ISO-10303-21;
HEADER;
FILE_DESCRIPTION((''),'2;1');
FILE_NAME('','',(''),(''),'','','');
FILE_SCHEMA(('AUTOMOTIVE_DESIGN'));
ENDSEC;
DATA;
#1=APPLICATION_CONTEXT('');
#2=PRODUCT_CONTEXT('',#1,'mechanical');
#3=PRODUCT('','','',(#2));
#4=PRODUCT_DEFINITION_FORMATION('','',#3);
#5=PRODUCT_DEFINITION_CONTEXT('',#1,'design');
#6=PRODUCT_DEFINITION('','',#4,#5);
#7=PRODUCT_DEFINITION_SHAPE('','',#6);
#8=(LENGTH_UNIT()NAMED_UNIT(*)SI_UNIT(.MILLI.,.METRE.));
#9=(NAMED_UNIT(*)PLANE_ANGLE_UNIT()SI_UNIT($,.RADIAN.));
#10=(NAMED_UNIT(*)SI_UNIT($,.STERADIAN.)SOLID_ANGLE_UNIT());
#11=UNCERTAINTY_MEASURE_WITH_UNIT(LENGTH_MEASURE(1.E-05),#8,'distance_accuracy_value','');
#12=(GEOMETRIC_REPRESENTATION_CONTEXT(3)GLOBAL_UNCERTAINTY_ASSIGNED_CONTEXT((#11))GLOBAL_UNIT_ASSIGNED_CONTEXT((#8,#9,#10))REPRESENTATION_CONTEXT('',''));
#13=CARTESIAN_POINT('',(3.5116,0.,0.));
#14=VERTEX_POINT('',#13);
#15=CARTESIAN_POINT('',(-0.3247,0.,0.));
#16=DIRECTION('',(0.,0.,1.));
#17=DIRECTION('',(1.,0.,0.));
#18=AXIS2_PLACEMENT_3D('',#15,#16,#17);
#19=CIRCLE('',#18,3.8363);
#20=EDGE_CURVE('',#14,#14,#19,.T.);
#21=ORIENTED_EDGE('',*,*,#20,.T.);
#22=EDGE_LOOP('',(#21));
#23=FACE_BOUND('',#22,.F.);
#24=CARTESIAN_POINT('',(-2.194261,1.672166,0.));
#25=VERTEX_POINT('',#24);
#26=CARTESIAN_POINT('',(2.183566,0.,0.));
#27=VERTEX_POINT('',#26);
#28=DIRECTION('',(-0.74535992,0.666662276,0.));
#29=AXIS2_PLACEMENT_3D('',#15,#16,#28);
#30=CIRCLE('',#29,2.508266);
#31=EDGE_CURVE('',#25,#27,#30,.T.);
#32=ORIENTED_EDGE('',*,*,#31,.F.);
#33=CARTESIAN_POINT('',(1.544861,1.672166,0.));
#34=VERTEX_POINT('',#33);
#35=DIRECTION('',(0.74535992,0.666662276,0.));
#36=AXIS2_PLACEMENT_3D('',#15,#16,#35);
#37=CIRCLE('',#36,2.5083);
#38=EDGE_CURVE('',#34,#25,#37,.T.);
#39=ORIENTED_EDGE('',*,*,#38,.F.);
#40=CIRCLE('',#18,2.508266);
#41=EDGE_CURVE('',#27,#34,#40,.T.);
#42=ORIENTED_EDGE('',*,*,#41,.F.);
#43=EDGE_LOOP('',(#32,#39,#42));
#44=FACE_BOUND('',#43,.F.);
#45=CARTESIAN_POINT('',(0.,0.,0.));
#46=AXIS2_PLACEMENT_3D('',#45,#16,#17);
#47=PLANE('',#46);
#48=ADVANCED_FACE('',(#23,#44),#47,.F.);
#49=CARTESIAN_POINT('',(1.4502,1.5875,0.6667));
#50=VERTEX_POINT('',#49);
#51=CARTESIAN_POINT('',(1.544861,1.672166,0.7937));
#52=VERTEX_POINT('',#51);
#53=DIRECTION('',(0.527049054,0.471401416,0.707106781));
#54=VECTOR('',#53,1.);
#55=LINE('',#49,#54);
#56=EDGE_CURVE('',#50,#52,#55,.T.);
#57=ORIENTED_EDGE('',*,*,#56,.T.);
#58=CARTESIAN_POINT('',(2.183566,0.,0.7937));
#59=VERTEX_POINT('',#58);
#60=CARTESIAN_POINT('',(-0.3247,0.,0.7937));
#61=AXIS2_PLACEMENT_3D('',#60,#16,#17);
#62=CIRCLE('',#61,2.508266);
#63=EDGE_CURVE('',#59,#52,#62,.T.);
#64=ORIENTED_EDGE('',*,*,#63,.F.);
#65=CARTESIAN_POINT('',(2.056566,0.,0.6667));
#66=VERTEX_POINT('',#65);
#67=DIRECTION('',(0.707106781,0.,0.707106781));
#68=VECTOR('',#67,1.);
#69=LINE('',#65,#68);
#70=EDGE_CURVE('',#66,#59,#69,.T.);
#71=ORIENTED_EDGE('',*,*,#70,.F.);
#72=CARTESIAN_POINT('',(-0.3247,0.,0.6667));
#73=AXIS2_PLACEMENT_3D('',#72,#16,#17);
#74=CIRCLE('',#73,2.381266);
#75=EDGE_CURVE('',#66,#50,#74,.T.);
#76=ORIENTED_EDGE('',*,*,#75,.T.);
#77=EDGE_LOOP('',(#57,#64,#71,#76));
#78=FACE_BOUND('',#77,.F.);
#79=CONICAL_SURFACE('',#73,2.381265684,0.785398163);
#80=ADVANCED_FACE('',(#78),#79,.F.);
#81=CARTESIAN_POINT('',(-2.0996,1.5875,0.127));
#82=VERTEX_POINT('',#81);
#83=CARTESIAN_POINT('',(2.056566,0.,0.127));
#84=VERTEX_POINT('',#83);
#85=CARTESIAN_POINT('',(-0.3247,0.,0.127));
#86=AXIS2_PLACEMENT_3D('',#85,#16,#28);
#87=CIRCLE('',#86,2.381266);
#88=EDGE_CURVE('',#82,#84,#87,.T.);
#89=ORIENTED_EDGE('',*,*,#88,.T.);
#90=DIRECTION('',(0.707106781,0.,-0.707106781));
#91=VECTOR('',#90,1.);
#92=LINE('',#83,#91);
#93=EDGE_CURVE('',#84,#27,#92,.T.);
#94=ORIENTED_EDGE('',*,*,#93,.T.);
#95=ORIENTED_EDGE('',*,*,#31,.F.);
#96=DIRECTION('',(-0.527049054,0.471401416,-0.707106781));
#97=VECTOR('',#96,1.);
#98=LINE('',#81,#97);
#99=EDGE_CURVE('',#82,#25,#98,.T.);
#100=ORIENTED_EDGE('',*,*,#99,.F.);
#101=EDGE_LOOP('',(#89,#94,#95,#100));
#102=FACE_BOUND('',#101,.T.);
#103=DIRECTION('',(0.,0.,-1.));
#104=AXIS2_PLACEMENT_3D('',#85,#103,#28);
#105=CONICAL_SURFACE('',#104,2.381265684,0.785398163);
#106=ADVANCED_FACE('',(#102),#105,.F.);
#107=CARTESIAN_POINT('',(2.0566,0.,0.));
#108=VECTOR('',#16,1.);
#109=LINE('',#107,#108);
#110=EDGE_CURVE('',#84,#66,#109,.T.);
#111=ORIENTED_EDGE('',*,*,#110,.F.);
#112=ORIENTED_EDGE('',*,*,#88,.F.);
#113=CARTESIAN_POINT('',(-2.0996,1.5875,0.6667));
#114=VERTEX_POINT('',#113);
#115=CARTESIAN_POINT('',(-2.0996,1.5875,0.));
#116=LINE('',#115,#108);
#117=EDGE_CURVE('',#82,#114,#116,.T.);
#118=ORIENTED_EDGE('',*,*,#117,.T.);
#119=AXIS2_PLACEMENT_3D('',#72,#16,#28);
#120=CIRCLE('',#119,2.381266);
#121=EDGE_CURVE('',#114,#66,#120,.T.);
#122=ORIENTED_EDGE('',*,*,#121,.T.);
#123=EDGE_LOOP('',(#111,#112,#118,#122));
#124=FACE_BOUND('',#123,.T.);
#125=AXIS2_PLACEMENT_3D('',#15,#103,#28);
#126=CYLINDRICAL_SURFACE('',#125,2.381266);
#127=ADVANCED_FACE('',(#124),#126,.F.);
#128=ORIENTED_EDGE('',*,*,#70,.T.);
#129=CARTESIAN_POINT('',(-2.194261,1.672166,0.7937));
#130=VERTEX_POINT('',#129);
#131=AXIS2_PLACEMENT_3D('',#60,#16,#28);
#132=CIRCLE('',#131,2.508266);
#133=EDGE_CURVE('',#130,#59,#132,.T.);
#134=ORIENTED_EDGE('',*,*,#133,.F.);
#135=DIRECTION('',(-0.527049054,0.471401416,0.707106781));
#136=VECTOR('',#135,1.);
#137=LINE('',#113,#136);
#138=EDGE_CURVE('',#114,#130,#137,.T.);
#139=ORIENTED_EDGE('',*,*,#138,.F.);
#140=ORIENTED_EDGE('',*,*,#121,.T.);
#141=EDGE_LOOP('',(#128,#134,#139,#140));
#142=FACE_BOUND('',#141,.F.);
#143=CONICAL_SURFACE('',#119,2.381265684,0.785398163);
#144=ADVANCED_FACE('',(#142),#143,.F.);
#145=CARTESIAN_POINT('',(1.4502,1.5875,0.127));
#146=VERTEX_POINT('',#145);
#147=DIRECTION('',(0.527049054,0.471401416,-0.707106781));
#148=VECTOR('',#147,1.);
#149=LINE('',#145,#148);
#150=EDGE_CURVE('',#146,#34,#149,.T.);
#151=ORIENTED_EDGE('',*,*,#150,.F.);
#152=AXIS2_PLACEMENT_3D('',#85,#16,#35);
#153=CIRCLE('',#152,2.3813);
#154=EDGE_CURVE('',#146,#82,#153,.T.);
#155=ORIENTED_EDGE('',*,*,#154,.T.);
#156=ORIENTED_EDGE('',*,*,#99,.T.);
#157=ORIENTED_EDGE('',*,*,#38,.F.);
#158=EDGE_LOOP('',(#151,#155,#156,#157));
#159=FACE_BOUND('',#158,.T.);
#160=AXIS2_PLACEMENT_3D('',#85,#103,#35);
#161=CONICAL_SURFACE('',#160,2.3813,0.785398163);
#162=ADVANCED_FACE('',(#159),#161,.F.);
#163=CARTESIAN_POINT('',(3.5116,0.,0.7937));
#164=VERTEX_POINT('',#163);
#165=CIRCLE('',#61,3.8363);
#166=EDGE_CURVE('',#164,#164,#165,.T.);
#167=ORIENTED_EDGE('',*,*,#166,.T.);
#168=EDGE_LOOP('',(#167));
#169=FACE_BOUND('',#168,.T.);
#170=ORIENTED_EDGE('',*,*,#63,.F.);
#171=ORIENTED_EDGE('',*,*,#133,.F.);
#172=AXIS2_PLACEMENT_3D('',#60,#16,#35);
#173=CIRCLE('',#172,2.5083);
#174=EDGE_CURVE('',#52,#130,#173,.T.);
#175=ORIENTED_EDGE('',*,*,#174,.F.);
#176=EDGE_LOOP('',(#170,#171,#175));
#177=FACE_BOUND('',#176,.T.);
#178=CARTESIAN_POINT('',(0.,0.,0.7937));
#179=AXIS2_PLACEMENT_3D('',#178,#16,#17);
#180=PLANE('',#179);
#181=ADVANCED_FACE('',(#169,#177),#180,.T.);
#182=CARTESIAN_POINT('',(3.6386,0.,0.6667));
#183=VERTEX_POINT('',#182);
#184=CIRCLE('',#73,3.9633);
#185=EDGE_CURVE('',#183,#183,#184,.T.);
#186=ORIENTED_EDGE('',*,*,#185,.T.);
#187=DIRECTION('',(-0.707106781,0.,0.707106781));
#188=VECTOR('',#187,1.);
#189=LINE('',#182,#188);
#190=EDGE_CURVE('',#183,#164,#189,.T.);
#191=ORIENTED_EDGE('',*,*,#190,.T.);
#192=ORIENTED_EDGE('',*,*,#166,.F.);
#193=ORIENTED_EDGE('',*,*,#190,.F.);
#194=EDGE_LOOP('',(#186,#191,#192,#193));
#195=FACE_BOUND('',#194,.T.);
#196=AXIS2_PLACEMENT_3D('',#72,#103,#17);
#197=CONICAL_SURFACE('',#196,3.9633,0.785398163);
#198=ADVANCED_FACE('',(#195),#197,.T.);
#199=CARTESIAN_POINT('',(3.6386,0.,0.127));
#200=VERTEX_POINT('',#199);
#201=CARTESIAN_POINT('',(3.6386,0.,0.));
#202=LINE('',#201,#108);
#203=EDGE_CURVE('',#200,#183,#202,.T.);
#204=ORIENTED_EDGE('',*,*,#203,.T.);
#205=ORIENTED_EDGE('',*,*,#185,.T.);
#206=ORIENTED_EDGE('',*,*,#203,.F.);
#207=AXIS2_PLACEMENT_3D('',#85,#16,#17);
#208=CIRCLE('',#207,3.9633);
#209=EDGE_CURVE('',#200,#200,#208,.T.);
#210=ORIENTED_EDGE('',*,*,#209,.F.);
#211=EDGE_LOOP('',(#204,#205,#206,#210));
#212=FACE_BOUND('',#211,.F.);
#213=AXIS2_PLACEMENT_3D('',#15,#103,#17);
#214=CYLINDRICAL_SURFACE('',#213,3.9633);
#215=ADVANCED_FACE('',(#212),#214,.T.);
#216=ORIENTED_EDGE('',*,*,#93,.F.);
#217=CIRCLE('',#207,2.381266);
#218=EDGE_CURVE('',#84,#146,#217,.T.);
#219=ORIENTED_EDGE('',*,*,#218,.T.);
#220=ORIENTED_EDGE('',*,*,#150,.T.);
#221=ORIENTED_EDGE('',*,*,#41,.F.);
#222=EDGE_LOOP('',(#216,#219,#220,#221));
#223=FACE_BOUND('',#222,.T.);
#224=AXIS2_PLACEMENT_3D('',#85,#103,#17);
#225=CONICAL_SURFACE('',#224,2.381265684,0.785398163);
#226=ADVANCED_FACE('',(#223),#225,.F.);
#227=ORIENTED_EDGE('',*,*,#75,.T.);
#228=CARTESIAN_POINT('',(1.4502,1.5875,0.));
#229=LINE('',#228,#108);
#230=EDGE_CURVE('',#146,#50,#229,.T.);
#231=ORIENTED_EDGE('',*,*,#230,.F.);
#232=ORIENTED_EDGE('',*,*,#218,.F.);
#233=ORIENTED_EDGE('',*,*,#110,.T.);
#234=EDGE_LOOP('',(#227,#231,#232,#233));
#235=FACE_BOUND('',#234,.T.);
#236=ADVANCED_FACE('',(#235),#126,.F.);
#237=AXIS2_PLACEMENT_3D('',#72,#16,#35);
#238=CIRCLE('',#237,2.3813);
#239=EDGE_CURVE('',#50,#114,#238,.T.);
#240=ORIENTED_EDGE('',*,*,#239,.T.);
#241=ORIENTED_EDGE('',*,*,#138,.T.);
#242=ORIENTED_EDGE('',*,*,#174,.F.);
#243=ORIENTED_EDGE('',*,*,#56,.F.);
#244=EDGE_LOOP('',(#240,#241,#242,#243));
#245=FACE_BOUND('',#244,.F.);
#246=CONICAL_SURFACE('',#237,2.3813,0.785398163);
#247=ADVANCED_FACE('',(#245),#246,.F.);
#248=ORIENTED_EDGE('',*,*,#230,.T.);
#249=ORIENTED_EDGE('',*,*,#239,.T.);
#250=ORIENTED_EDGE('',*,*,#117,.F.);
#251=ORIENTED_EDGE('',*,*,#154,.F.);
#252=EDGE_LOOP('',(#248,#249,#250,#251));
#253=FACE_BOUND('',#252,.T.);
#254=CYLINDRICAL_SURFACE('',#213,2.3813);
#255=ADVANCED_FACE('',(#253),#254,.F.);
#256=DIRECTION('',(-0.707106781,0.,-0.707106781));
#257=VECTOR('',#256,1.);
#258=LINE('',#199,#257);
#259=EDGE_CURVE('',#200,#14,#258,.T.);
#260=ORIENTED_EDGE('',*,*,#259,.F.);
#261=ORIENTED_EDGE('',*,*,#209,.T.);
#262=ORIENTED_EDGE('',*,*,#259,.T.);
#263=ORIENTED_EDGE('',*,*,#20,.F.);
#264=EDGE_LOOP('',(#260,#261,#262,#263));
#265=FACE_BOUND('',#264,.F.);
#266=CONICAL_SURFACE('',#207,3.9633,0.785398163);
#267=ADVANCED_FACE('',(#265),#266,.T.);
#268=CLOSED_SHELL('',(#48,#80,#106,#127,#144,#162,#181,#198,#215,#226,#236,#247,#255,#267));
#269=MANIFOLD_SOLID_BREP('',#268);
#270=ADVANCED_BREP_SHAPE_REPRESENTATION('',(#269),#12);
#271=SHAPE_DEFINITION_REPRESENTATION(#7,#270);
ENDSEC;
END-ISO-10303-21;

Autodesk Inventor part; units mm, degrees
ref_plane "YZ Plane" through (0, 0, 0) normal (1, 0, 0) x (0, 1, 0)
ref_plane "XZ Plane" through (0, 0, 0) normal (0, 1, 0) x (-1, 0, 0)
ref_plane "Work Plane1" through (0, 0, 0) normal (0, 0, 1) x (1, 0, 0)
sketch "Sketch2" plane through (0, 0, 0) normal (0, 0, 1) x (1, 0, 0)
  arc A0 (-2.0996, 1.5875) -> (1.4502, 1.5875) centre (-0.3247, 0) ccw projected
  circle A1 centre (-0.3247, 0) radius 2.3813
  circle A2 centre (-0.3247, 0) radius 3.9633
extrude "Extrusion1" add sketch "Sketch2" along normal blind 0.7937
chamfer "Chamfer1" distance 0.127 angle 45 4 edges at (-4.288, 0, 0) (-4.288, 0, 0.7937) (-2.706, 0, 0.7937) (-2.706, 0, 0)
properties part number "thrust washer" material "Rubber"
